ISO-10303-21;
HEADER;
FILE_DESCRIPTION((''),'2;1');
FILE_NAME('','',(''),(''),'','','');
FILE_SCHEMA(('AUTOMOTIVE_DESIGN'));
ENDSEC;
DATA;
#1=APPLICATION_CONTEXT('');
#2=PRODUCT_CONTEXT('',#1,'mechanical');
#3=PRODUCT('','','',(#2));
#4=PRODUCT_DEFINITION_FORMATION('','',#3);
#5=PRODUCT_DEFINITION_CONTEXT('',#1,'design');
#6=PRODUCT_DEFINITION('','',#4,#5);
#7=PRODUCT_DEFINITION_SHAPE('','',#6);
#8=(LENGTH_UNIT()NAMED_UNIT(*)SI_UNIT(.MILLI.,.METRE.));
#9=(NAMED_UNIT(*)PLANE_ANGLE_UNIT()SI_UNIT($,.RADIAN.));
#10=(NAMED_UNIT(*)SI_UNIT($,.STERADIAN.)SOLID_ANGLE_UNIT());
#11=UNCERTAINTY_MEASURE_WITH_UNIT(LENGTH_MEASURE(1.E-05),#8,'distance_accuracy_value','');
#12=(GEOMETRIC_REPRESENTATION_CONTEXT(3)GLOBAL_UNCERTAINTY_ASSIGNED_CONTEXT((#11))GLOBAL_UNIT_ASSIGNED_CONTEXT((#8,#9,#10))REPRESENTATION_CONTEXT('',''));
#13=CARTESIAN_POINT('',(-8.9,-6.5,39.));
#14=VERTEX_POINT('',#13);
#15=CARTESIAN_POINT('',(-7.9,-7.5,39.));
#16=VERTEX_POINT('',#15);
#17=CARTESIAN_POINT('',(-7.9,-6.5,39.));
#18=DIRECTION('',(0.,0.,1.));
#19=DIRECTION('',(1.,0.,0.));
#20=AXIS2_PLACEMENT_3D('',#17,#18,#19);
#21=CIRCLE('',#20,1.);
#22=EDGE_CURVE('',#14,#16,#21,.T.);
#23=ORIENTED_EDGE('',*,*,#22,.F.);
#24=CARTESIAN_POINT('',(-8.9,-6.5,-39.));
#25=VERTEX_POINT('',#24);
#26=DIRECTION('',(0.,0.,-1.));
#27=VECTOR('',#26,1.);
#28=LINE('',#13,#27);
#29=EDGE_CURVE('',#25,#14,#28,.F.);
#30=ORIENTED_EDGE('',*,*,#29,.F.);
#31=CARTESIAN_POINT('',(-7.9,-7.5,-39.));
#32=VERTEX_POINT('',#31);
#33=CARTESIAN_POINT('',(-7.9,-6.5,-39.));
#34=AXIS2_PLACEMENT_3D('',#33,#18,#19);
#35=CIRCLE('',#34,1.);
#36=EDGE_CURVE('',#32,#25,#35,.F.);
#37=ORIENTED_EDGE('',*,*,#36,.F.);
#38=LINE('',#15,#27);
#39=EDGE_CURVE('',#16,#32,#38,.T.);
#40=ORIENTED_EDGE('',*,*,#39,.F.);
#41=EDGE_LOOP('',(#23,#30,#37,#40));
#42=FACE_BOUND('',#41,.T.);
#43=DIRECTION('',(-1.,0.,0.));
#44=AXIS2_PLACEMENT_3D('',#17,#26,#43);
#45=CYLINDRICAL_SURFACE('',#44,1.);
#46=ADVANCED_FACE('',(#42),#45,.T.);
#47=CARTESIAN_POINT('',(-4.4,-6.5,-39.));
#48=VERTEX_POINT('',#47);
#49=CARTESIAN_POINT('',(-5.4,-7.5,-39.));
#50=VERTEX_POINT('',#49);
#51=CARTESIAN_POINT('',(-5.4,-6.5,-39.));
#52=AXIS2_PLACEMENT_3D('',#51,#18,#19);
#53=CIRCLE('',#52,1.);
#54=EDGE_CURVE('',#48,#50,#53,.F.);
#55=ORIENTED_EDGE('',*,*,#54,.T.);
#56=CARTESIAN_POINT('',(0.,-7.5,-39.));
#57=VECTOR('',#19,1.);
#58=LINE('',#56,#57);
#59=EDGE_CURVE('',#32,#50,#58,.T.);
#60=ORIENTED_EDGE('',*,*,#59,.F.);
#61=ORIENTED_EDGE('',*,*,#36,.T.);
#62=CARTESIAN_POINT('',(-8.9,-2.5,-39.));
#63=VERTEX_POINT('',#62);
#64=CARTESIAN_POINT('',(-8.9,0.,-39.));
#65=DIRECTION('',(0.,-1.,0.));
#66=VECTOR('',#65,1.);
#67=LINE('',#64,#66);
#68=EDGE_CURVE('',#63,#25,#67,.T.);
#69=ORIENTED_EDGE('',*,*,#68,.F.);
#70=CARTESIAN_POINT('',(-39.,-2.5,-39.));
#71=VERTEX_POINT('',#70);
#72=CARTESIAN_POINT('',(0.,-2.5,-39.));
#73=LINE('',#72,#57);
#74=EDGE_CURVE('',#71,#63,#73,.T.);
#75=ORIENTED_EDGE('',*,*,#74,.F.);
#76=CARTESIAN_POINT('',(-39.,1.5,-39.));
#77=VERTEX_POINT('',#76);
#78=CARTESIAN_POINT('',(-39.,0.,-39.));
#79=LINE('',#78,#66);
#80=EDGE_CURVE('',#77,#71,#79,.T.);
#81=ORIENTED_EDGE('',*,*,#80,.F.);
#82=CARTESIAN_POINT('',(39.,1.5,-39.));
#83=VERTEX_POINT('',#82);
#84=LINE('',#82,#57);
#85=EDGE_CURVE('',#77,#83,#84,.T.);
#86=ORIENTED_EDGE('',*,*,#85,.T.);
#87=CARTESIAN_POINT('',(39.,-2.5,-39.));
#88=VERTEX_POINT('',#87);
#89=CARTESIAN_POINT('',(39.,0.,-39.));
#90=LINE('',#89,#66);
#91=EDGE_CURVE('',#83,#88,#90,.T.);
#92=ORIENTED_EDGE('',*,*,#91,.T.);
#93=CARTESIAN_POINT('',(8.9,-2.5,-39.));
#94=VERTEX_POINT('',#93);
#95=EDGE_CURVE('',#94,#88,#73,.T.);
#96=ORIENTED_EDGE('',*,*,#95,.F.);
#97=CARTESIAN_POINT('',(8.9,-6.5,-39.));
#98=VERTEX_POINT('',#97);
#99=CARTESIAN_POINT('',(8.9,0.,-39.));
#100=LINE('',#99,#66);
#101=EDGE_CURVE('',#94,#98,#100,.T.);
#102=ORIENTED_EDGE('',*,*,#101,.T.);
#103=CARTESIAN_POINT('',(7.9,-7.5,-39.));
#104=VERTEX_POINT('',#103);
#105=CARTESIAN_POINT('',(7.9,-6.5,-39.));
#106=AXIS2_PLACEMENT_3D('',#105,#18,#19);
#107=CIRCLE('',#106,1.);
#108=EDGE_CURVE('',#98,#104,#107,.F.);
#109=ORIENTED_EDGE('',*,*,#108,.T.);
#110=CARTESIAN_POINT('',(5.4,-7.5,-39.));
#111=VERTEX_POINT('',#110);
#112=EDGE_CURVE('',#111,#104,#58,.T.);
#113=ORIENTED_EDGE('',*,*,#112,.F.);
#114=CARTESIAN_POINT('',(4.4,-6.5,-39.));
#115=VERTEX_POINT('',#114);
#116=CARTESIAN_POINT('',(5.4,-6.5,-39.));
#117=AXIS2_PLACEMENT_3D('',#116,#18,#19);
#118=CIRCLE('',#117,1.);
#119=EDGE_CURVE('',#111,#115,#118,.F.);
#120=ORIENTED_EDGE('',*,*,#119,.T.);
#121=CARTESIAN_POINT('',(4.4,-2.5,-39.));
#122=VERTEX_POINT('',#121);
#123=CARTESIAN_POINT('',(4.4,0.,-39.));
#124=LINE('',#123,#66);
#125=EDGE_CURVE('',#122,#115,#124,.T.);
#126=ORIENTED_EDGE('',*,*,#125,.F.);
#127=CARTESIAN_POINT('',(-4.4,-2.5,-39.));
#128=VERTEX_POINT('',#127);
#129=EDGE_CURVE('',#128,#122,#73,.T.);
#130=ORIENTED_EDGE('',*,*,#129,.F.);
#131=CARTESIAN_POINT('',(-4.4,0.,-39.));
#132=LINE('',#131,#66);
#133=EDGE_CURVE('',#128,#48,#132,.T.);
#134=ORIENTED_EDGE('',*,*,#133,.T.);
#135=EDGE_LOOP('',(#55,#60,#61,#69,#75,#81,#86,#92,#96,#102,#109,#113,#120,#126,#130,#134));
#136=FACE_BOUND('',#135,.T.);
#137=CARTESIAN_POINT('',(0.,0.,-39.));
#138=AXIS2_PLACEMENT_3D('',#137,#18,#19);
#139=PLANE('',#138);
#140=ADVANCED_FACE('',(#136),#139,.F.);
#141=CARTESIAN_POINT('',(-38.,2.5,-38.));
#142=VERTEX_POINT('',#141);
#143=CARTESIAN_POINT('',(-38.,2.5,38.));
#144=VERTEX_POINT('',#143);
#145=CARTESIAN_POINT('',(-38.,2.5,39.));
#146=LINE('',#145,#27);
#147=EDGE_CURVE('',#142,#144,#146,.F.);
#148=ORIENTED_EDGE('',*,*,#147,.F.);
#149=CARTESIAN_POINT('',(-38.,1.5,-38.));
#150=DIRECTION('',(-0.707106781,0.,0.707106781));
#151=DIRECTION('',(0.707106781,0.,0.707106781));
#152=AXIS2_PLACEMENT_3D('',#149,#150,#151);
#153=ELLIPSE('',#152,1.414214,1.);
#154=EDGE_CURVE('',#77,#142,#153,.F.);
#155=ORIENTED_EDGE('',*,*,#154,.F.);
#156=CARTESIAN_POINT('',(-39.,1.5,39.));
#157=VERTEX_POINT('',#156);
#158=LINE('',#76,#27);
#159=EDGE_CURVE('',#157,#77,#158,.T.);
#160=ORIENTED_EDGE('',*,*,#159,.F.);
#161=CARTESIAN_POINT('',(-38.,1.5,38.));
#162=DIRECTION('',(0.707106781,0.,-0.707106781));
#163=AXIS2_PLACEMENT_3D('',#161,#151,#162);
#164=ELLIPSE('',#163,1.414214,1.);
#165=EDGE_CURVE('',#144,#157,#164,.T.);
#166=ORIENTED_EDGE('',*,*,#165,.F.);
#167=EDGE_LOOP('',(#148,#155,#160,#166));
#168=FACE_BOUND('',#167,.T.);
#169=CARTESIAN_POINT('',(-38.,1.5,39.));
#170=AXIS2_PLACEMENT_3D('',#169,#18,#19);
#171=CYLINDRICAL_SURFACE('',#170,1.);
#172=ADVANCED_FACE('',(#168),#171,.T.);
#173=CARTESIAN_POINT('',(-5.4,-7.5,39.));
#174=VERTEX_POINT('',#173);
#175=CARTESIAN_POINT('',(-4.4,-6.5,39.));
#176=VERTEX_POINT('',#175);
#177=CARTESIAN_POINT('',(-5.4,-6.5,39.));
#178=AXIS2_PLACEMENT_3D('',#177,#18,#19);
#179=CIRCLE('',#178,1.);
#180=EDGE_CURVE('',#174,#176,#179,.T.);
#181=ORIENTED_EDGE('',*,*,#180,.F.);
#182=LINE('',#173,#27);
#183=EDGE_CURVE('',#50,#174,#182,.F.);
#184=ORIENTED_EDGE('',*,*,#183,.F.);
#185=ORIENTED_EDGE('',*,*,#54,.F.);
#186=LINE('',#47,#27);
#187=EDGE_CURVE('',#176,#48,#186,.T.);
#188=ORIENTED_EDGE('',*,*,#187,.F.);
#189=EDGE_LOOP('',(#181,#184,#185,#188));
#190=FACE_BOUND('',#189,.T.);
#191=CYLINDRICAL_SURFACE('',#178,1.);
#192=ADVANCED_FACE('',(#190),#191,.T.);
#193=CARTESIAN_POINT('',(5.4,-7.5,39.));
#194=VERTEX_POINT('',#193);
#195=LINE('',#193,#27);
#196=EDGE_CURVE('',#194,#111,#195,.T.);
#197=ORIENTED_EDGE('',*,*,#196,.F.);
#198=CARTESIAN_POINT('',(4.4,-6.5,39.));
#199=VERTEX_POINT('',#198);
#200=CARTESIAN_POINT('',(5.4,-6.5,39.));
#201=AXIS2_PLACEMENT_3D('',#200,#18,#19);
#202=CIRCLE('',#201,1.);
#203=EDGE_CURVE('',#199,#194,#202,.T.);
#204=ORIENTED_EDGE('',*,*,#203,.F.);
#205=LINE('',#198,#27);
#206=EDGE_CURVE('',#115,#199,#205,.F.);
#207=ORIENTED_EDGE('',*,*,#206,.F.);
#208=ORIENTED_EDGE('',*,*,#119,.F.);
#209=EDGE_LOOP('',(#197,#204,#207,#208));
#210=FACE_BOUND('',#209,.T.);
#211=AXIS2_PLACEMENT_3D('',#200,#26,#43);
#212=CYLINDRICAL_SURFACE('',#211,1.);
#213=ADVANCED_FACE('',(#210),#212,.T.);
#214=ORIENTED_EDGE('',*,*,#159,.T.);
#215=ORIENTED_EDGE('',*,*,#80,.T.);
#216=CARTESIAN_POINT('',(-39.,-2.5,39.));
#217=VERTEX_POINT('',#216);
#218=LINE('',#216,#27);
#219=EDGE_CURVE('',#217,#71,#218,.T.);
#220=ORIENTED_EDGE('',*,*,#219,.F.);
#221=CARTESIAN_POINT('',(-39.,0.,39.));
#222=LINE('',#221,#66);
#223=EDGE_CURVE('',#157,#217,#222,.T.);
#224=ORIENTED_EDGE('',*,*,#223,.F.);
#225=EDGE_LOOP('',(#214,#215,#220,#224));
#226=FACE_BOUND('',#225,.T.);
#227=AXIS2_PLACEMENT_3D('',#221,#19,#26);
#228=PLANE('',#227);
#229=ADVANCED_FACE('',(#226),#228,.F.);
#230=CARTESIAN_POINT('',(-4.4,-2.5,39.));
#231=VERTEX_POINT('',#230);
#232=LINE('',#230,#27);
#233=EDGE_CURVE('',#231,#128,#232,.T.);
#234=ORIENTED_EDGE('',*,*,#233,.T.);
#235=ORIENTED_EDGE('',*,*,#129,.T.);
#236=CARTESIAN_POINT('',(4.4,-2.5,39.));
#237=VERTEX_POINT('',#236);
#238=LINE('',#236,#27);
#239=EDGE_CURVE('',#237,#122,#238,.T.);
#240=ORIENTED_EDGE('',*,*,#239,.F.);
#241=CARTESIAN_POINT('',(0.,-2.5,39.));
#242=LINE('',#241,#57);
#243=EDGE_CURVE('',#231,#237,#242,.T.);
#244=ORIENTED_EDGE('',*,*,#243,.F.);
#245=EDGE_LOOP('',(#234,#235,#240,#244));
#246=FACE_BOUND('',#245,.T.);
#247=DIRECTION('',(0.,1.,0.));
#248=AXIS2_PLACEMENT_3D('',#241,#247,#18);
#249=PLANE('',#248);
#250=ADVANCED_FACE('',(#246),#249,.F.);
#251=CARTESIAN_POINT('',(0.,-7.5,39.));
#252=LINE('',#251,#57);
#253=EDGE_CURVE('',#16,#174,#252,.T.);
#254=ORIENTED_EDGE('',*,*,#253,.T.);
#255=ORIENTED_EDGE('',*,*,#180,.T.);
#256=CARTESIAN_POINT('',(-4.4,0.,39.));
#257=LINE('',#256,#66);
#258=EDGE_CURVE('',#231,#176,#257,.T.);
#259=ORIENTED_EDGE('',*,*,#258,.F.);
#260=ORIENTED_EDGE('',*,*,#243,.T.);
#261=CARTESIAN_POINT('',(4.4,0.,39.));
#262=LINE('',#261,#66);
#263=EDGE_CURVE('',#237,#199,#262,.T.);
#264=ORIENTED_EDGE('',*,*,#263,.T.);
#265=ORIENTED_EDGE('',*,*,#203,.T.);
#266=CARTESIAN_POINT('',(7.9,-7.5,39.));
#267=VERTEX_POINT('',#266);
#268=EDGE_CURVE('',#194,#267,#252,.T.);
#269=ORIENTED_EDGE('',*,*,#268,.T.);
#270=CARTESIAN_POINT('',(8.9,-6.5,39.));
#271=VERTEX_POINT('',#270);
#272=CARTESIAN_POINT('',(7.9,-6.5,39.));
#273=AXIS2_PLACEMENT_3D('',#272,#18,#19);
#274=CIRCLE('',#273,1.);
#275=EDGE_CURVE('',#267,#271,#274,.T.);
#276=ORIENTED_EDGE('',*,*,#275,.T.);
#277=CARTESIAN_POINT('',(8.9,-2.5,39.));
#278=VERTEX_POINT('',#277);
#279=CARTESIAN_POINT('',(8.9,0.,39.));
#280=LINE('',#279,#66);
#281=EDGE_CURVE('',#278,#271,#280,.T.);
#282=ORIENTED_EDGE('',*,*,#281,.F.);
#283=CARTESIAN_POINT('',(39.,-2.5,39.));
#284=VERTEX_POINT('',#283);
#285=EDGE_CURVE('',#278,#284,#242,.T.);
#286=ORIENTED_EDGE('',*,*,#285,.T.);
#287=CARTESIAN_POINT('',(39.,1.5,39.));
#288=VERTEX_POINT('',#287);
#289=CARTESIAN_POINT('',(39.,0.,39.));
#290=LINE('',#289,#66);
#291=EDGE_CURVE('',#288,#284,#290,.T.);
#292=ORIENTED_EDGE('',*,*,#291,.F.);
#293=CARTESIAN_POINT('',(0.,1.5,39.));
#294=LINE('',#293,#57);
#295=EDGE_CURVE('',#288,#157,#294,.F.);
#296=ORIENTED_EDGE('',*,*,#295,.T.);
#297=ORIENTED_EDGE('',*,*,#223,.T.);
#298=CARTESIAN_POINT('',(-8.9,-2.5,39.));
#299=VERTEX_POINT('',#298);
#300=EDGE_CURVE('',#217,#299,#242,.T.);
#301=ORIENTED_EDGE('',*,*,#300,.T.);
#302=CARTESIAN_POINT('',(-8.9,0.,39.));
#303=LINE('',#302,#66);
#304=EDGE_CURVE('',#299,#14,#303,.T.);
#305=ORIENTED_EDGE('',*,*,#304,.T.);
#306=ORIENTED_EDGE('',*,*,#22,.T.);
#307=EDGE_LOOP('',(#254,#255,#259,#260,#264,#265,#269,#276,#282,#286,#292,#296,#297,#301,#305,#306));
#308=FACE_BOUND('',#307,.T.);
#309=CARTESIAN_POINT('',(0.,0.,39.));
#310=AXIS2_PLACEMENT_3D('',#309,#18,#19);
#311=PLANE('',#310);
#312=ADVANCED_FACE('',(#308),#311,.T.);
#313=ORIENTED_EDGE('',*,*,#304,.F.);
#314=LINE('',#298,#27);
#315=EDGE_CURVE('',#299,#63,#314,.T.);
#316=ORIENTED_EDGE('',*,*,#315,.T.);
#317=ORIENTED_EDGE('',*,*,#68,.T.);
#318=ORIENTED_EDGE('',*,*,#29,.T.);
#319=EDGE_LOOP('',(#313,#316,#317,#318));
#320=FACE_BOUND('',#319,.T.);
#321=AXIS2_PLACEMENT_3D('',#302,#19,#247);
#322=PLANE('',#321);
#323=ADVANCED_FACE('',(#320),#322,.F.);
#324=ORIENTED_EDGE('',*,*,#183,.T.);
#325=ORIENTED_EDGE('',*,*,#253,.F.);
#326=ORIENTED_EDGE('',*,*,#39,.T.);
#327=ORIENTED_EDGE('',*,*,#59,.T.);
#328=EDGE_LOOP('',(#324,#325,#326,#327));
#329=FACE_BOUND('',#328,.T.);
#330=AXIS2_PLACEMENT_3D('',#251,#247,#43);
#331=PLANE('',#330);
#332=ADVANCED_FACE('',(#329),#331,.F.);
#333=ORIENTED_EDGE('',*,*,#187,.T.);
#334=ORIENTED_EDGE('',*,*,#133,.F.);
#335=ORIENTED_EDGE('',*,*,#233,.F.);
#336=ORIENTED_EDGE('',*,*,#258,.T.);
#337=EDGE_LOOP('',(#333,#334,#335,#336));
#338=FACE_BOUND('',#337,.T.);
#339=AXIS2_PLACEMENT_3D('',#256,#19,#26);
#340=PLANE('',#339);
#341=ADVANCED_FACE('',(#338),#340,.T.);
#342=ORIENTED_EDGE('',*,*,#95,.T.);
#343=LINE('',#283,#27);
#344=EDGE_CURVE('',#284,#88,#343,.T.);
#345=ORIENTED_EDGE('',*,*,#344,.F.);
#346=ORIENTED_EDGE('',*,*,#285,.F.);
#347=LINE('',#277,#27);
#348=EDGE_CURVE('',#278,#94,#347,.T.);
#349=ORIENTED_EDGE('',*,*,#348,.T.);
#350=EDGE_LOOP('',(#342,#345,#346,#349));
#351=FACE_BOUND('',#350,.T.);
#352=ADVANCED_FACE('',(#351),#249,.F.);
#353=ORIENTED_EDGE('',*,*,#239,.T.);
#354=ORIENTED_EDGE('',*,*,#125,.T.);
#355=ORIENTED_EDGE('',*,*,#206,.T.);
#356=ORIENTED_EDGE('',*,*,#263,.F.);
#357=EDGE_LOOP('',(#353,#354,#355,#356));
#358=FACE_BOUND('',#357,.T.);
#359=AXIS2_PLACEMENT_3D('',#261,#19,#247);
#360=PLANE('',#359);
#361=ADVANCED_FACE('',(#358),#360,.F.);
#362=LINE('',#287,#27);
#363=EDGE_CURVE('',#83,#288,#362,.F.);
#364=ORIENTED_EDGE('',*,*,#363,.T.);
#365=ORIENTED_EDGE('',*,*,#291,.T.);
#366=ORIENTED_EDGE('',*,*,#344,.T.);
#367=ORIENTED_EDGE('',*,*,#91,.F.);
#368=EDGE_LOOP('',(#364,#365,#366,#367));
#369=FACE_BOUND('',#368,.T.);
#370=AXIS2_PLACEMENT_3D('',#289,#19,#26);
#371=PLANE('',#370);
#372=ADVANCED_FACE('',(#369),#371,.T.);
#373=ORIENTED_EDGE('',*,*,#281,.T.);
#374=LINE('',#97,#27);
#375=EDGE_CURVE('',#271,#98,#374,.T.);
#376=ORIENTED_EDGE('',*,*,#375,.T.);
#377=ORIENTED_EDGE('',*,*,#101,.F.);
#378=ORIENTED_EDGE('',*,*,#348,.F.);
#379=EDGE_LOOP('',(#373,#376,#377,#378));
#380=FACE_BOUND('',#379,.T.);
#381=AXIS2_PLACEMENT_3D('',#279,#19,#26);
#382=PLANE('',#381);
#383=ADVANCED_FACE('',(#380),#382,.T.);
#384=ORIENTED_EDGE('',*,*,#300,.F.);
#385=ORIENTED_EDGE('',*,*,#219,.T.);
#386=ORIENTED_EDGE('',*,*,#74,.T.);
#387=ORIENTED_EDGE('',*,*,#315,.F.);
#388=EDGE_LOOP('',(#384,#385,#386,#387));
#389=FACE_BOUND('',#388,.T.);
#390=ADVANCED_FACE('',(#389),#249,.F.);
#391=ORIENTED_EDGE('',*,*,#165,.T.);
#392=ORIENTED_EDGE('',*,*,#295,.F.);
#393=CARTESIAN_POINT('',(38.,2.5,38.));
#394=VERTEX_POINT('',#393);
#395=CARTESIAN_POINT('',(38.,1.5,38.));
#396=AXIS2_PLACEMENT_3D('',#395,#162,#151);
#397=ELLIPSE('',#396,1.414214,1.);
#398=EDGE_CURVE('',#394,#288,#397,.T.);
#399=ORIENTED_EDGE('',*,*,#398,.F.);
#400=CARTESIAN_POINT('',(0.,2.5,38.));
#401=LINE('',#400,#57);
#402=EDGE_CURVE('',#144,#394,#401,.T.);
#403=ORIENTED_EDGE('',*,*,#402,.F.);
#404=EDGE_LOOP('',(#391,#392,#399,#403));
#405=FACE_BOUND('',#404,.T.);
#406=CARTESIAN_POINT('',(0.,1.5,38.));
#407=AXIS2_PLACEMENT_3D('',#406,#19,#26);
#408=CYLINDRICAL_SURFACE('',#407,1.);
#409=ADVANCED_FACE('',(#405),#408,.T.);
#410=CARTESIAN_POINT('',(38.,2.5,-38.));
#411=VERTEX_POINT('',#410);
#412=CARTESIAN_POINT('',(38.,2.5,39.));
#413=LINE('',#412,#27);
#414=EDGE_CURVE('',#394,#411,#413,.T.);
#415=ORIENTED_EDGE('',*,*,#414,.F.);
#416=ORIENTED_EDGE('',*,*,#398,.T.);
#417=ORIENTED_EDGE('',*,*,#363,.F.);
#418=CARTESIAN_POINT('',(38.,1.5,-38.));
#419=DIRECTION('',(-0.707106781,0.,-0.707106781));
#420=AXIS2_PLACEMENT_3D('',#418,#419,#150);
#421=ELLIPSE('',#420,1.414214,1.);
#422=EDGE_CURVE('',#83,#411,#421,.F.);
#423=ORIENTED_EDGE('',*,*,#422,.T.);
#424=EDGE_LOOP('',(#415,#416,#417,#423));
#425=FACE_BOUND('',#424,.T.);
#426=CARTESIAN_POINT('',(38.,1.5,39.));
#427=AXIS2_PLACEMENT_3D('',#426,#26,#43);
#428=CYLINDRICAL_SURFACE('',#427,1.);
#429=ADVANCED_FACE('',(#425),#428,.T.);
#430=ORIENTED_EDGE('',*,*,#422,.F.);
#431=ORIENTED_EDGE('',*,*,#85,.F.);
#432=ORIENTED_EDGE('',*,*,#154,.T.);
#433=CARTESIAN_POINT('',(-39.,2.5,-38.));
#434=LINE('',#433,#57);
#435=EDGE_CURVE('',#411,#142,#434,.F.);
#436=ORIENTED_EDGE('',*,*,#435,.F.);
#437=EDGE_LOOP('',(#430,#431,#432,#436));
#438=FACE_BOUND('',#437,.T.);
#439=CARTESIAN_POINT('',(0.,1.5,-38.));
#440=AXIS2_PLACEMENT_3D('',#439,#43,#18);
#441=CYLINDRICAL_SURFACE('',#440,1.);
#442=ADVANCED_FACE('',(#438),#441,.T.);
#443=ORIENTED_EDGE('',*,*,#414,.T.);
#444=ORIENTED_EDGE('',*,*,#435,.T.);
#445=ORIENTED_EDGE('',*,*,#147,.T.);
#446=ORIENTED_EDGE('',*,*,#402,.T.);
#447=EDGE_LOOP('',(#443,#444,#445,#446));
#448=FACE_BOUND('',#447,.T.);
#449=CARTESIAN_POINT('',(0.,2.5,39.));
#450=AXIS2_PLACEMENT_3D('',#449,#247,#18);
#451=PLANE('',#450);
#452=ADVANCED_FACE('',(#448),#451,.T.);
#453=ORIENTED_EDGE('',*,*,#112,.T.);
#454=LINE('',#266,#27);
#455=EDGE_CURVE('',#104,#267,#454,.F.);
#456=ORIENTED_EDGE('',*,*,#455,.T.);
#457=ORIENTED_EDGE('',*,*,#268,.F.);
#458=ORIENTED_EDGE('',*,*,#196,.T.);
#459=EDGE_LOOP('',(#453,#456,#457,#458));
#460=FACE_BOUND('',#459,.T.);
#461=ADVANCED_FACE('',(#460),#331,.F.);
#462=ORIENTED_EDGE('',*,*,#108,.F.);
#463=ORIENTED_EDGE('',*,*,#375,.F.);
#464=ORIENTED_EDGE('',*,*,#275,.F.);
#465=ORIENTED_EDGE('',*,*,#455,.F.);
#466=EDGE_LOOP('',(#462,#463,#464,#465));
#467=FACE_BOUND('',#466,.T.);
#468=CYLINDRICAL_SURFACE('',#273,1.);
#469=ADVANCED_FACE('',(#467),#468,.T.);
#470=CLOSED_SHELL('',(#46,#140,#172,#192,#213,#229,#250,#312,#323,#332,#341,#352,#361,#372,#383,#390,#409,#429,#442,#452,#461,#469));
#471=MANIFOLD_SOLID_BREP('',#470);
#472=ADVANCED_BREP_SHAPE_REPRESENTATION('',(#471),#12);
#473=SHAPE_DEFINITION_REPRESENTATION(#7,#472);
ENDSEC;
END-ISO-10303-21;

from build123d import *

# Parameters (mm, degrees)
SKETCH1_W           = 78
SKETCH1_H           = 5
SKETCH1_W_2         = 4.5
BOSS_EXTRUDE2_DEPTH = 39
FILLET1_R           = 1


with BuildPart() as part:
    # Sketch1 → Boss-Extrude2 (new, symmetric)
    with BuildSketch(Plane.XY):
        Rectangle(SKETCH1_W, SKETCH1_H)
        with Locations((-6.65, -5)):
            Rectangle(SKETCH1_W_2, SKETCH1_H)
        with Locations((6.65, -5)):
            Rectangle(SKETCH1_W_2, SKETCH1_H)
    extrude(amount=BOSS_EXTRUDE2_DEPTH, both=True)

    # Fillet1
    fillet1_edges = [part.edges().sort_by_distance(p)[0] for p in [
        (0, 2.5, 39),
        (0, 2.5, -39),
        (8.9, -7.5, 0),
        (4.4, -7.5, 0),
        (-4.4, -7.5, 0),
        (-8.9, -7.5, 0),
        (-39, 2.5, 0),
        (39, 2.5, 0),
    ]]
    fillet(fillet1_edges, radius=FILLET1_R)


solid = part.part
